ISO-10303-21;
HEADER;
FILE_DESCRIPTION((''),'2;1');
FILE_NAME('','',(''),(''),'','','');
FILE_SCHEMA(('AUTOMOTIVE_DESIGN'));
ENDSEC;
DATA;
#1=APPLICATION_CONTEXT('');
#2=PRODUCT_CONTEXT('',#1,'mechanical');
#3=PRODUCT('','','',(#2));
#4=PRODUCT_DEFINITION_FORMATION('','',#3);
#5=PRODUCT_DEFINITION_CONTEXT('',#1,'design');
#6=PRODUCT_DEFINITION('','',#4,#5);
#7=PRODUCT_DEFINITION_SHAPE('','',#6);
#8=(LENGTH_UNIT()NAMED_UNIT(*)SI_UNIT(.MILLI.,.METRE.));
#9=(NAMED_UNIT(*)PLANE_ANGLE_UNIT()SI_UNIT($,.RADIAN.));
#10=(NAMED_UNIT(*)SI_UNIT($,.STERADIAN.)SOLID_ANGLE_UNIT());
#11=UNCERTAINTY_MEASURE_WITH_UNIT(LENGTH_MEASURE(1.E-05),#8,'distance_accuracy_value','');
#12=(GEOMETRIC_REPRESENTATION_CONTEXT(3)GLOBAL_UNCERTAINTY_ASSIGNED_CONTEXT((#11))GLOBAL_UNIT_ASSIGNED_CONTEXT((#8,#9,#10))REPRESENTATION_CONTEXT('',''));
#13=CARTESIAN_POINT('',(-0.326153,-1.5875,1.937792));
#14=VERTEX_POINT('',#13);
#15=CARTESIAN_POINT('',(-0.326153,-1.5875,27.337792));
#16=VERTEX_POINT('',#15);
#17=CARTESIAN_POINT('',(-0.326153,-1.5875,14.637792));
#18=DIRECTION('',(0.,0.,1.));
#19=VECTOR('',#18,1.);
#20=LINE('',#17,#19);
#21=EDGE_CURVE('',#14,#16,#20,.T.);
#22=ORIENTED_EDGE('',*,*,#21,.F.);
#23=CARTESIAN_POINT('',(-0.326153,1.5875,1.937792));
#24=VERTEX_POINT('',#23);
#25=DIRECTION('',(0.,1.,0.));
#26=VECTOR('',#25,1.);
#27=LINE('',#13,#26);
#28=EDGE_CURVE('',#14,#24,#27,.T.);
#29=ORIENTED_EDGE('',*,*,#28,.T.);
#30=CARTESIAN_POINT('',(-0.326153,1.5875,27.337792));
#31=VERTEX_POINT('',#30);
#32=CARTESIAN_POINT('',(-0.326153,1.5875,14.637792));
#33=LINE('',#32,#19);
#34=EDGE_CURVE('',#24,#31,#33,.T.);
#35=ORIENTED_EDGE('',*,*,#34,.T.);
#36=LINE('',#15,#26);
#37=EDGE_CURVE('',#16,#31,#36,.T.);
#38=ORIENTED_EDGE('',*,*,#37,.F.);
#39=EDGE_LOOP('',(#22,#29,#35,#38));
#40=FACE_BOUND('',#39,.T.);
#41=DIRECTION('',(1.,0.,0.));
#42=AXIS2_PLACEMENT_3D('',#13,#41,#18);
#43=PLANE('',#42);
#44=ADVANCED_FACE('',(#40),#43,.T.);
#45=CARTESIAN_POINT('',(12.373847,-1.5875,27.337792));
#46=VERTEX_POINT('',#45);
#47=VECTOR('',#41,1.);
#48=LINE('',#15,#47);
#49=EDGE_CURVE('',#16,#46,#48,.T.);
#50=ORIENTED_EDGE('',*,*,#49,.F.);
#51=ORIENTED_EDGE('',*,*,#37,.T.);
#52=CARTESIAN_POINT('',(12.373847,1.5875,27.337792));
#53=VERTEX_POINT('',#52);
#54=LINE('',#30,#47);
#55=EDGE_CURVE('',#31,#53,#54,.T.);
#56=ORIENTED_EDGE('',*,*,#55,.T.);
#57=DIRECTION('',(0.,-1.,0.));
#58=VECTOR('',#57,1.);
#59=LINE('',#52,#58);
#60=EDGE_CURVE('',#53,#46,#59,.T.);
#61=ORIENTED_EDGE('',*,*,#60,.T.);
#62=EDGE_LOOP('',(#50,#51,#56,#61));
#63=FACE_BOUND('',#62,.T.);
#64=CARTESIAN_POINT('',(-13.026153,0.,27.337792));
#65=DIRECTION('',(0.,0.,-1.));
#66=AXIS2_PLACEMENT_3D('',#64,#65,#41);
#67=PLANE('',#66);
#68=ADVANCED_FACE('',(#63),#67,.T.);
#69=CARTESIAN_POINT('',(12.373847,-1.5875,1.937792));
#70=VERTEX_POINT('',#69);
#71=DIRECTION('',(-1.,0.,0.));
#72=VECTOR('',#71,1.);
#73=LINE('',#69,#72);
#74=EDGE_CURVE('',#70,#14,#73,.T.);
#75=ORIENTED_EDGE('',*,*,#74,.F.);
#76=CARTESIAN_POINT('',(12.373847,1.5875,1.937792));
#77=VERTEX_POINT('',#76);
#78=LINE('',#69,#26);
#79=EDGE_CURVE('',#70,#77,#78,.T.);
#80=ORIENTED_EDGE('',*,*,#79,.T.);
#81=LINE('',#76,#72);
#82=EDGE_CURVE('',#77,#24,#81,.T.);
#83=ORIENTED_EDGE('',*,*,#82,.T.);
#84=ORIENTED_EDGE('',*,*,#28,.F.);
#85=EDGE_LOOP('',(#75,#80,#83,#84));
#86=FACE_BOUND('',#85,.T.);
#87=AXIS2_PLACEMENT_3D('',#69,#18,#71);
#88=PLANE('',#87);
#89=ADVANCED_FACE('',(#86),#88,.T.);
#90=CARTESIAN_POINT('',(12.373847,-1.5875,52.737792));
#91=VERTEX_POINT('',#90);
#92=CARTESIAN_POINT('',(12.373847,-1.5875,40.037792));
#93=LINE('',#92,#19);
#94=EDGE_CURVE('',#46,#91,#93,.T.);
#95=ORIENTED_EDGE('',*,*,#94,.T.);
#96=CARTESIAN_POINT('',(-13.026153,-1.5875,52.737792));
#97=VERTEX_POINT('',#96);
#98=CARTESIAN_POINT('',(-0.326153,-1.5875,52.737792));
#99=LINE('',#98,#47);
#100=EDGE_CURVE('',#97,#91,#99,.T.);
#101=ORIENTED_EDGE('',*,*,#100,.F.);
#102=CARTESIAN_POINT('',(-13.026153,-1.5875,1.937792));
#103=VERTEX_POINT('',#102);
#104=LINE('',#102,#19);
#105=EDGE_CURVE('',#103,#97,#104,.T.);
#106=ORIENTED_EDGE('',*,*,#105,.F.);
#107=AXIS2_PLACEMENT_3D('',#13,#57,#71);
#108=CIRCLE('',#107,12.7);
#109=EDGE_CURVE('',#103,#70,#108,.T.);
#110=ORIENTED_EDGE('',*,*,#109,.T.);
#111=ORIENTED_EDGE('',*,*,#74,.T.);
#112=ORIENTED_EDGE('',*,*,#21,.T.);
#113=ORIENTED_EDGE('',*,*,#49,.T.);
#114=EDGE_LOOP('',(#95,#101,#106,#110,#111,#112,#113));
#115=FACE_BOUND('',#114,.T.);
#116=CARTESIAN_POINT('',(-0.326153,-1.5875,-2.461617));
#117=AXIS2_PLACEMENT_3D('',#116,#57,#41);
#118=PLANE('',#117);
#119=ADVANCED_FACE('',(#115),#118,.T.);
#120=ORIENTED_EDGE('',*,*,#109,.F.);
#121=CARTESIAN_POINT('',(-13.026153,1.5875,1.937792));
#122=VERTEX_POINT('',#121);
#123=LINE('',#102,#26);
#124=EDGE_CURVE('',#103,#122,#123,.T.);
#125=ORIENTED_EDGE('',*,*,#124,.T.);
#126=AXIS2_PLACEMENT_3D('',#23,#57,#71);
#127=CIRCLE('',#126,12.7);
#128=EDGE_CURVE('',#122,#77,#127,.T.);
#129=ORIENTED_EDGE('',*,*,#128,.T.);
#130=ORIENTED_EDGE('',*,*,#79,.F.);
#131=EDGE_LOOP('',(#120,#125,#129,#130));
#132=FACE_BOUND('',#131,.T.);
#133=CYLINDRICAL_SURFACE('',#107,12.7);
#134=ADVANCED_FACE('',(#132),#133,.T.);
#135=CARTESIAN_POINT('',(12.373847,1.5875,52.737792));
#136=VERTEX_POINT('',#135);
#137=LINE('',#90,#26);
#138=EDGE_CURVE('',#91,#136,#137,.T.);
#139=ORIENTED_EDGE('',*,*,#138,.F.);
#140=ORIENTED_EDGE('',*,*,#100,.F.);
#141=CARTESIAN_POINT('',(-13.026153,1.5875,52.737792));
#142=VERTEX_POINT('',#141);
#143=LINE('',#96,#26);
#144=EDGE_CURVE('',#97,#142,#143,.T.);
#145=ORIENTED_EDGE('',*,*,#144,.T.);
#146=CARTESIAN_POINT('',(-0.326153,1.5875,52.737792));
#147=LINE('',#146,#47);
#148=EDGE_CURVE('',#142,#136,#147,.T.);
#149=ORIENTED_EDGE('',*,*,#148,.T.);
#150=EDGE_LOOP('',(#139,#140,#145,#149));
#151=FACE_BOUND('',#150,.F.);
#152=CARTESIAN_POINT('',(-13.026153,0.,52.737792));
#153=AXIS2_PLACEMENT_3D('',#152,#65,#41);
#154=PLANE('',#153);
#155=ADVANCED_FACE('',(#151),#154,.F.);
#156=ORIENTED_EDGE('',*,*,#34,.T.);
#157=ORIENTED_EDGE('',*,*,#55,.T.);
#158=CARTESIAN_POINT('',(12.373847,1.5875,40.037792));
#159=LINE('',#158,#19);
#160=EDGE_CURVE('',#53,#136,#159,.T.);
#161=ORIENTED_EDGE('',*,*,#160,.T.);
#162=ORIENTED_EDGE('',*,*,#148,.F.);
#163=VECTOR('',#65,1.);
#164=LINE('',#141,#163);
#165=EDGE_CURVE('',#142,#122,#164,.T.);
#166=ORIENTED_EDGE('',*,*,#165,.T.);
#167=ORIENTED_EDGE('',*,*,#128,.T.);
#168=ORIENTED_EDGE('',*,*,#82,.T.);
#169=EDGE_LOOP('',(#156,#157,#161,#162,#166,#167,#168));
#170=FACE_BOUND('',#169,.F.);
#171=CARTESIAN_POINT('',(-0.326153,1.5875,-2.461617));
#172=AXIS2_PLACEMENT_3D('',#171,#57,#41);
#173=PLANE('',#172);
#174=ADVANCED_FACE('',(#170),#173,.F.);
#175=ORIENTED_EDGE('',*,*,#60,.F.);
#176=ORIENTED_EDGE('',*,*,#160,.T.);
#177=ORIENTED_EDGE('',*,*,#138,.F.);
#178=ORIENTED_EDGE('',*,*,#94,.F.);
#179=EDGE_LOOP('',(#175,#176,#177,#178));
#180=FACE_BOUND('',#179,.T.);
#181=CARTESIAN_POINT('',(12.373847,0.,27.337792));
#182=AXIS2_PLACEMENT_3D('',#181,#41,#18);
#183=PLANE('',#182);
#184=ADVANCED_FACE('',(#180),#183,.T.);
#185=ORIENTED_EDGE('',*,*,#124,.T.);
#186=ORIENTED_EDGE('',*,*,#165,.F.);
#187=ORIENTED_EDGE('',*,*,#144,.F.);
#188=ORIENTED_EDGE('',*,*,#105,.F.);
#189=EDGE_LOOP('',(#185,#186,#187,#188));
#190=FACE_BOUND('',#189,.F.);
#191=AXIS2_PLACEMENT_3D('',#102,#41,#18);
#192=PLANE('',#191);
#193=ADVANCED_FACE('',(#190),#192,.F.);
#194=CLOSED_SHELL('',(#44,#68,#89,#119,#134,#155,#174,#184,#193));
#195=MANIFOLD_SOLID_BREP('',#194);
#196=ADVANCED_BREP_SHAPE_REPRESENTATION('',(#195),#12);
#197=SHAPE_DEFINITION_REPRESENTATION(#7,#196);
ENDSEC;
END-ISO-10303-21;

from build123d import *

# Parameters (mm, degrees)
F0_W     = 25.4
F0_H     = 25.4
F1_DEPTH = 1.5875
F2_W     = 12.7
F2_H     = 25.4
F3_DEPTH = 3.175
F5_DEPTH = 3.175


with BuildPart() as f1:
    # F0 (on Front) → F1 (new body, symmetric)
    with BuildSketch(Plane.XZ):
        with Locations((-0.326153, 40.037792)):
            Rectangle(F0_W, F0_H)
    extrude(amount=F1_DEPTH, both=True)

    # F2 (on face) → F3 (join)
    with BuildSketch(Plane.XZ.offset(1.5875)):
        with Locations((-6.676153, 14.637792)):
            Rectangle(F2_W, F2_H)
    extrude(amount=-F3_DEPTH)

    # F4 (on face) → F5 (join)
    with BuildSketch(Plane.XZ.offset(1.5875)):
        with BuildLine():
            Line((12.373847, 1.937792), (-13.026153, 1.937792))
            ThreePointArc((-13.026153, 1.937792), (-0.326153, -10.762208), (12.373847, 1.937792))
        make_face()
    extrude(amount=-F5_DEPTH)


solid = f1.part
